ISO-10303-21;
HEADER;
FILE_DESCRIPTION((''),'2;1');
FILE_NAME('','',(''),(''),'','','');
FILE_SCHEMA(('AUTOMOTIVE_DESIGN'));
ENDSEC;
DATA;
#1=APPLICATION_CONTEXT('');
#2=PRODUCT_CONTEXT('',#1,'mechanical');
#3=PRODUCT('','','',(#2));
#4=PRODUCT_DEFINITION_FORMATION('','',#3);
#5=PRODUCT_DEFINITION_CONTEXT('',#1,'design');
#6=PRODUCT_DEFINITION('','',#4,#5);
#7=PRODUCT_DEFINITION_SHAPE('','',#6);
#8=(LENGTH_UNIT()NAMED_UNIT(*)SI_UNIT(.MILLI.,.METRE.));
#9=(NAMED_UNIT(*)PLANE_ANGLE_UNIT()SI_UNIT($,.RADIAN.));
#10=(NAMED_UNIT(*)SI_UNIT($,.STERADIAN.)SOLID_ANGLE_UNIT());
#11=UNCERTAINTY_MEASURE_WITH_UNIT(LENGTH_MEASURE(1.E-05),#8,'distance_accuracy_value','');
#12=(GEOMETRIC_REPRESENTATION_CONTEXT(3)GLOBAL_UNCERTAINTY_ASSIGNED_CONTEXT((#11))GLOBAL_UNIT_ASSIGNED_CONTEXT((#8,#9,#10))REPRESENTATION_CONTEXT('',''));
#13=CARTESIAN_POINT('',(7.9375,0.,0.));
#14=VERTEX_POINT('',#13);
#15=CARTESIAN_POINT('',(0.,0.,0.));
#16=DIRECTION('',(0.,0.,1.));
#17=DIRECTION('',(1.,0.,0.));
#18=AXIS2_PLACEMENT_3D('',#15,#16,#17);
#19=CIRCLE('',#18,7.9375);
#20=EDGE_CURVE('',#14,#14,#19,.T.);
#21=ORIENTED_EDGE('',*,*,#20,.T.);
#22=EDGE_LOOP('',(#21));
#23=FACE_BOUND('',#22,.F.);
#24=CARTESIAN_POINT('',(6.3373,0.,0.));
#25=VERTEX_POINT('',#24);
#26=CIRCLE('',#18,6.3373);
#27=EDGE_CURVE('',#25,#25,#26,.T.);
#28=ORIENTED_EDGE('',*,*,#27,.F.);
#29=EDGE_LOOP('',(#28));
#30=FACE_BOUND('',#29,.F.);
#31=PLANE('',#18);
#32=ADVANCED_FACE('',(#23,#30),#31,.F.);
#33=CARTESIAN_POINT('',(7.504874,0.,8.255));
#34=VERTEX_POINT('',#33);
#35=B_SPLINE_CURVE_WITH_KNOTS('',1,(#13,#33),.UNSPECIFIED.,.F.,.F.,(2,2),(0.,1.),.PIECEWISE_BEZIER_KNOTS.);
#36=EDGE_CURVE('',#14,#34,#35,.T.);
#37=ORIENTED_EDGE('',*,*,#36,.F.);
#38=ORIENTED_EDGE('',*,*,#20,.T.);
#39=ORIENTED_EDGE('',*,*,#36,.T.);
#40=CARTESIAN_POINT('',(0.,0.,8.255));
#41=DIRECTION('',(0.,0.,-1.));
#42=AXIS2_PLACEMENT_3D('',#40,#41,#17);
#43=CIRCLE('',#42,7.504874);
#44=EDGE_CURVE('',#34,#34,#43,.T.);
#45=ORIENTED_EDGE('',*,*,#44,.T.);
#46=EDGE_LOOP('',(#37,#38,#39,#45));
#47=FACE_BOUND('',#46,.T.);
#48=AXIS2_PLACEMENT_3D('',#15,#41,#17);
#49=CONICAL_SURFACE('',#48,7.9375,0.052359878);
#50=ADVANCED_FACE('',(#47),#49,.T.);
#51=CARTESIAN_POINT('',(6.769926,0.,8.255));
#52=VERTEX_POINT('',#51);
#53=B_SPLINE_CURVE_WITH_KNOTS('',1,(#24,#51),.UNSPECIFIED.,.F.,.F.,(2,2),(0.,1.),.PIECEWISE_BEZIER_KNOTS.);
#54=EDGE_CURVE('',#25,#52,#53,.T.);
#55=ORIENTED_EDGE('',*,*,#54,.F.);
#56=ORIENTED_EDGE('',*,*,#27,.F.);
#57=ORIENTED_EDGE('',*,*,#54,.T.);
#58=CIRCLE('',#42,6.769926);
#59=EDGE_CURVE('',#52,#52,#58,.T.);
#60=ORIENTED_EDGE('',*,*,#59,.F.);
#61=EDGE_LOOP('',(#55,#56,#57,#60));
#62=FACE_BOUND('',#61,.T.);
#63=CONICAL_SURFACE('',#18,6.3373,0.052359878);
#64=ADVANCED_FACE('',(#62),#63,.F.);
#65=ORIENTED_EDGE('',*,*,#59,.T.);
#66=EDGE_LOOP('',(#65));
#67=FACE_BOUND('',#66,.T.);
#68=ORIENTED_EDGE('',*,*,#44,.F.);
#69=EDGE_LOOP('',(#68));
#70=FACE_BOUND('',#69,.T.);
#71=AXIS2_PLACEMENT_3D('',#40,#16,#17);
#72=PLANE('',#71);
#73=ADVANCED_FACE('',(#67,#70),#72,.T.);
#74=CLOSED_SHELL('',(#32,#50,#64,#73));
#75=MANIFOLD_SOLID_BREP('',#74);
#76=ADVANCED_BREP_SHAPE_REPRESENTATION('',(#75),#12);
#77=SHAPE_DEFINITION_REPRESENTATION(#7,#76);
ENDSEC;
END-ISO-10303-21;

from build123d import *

# Parameters (mm, degrees)
F0_R     = 7.9375
F0_R_2   = 6.3373
F1_DEPTH = 8.255
F1_TAPER = 3


with BuildPart() as f1:
    # F0 (on Top) → F1 (new body)
    with BuildSketch(Plane.XY):
        Circle(F0_R)
        Circle(F0_R_2, mode=Mode.SUBTRACT)
    extrude(amount=F1_DEPTH, taper=F1_TAPER)


solid = f1.part
